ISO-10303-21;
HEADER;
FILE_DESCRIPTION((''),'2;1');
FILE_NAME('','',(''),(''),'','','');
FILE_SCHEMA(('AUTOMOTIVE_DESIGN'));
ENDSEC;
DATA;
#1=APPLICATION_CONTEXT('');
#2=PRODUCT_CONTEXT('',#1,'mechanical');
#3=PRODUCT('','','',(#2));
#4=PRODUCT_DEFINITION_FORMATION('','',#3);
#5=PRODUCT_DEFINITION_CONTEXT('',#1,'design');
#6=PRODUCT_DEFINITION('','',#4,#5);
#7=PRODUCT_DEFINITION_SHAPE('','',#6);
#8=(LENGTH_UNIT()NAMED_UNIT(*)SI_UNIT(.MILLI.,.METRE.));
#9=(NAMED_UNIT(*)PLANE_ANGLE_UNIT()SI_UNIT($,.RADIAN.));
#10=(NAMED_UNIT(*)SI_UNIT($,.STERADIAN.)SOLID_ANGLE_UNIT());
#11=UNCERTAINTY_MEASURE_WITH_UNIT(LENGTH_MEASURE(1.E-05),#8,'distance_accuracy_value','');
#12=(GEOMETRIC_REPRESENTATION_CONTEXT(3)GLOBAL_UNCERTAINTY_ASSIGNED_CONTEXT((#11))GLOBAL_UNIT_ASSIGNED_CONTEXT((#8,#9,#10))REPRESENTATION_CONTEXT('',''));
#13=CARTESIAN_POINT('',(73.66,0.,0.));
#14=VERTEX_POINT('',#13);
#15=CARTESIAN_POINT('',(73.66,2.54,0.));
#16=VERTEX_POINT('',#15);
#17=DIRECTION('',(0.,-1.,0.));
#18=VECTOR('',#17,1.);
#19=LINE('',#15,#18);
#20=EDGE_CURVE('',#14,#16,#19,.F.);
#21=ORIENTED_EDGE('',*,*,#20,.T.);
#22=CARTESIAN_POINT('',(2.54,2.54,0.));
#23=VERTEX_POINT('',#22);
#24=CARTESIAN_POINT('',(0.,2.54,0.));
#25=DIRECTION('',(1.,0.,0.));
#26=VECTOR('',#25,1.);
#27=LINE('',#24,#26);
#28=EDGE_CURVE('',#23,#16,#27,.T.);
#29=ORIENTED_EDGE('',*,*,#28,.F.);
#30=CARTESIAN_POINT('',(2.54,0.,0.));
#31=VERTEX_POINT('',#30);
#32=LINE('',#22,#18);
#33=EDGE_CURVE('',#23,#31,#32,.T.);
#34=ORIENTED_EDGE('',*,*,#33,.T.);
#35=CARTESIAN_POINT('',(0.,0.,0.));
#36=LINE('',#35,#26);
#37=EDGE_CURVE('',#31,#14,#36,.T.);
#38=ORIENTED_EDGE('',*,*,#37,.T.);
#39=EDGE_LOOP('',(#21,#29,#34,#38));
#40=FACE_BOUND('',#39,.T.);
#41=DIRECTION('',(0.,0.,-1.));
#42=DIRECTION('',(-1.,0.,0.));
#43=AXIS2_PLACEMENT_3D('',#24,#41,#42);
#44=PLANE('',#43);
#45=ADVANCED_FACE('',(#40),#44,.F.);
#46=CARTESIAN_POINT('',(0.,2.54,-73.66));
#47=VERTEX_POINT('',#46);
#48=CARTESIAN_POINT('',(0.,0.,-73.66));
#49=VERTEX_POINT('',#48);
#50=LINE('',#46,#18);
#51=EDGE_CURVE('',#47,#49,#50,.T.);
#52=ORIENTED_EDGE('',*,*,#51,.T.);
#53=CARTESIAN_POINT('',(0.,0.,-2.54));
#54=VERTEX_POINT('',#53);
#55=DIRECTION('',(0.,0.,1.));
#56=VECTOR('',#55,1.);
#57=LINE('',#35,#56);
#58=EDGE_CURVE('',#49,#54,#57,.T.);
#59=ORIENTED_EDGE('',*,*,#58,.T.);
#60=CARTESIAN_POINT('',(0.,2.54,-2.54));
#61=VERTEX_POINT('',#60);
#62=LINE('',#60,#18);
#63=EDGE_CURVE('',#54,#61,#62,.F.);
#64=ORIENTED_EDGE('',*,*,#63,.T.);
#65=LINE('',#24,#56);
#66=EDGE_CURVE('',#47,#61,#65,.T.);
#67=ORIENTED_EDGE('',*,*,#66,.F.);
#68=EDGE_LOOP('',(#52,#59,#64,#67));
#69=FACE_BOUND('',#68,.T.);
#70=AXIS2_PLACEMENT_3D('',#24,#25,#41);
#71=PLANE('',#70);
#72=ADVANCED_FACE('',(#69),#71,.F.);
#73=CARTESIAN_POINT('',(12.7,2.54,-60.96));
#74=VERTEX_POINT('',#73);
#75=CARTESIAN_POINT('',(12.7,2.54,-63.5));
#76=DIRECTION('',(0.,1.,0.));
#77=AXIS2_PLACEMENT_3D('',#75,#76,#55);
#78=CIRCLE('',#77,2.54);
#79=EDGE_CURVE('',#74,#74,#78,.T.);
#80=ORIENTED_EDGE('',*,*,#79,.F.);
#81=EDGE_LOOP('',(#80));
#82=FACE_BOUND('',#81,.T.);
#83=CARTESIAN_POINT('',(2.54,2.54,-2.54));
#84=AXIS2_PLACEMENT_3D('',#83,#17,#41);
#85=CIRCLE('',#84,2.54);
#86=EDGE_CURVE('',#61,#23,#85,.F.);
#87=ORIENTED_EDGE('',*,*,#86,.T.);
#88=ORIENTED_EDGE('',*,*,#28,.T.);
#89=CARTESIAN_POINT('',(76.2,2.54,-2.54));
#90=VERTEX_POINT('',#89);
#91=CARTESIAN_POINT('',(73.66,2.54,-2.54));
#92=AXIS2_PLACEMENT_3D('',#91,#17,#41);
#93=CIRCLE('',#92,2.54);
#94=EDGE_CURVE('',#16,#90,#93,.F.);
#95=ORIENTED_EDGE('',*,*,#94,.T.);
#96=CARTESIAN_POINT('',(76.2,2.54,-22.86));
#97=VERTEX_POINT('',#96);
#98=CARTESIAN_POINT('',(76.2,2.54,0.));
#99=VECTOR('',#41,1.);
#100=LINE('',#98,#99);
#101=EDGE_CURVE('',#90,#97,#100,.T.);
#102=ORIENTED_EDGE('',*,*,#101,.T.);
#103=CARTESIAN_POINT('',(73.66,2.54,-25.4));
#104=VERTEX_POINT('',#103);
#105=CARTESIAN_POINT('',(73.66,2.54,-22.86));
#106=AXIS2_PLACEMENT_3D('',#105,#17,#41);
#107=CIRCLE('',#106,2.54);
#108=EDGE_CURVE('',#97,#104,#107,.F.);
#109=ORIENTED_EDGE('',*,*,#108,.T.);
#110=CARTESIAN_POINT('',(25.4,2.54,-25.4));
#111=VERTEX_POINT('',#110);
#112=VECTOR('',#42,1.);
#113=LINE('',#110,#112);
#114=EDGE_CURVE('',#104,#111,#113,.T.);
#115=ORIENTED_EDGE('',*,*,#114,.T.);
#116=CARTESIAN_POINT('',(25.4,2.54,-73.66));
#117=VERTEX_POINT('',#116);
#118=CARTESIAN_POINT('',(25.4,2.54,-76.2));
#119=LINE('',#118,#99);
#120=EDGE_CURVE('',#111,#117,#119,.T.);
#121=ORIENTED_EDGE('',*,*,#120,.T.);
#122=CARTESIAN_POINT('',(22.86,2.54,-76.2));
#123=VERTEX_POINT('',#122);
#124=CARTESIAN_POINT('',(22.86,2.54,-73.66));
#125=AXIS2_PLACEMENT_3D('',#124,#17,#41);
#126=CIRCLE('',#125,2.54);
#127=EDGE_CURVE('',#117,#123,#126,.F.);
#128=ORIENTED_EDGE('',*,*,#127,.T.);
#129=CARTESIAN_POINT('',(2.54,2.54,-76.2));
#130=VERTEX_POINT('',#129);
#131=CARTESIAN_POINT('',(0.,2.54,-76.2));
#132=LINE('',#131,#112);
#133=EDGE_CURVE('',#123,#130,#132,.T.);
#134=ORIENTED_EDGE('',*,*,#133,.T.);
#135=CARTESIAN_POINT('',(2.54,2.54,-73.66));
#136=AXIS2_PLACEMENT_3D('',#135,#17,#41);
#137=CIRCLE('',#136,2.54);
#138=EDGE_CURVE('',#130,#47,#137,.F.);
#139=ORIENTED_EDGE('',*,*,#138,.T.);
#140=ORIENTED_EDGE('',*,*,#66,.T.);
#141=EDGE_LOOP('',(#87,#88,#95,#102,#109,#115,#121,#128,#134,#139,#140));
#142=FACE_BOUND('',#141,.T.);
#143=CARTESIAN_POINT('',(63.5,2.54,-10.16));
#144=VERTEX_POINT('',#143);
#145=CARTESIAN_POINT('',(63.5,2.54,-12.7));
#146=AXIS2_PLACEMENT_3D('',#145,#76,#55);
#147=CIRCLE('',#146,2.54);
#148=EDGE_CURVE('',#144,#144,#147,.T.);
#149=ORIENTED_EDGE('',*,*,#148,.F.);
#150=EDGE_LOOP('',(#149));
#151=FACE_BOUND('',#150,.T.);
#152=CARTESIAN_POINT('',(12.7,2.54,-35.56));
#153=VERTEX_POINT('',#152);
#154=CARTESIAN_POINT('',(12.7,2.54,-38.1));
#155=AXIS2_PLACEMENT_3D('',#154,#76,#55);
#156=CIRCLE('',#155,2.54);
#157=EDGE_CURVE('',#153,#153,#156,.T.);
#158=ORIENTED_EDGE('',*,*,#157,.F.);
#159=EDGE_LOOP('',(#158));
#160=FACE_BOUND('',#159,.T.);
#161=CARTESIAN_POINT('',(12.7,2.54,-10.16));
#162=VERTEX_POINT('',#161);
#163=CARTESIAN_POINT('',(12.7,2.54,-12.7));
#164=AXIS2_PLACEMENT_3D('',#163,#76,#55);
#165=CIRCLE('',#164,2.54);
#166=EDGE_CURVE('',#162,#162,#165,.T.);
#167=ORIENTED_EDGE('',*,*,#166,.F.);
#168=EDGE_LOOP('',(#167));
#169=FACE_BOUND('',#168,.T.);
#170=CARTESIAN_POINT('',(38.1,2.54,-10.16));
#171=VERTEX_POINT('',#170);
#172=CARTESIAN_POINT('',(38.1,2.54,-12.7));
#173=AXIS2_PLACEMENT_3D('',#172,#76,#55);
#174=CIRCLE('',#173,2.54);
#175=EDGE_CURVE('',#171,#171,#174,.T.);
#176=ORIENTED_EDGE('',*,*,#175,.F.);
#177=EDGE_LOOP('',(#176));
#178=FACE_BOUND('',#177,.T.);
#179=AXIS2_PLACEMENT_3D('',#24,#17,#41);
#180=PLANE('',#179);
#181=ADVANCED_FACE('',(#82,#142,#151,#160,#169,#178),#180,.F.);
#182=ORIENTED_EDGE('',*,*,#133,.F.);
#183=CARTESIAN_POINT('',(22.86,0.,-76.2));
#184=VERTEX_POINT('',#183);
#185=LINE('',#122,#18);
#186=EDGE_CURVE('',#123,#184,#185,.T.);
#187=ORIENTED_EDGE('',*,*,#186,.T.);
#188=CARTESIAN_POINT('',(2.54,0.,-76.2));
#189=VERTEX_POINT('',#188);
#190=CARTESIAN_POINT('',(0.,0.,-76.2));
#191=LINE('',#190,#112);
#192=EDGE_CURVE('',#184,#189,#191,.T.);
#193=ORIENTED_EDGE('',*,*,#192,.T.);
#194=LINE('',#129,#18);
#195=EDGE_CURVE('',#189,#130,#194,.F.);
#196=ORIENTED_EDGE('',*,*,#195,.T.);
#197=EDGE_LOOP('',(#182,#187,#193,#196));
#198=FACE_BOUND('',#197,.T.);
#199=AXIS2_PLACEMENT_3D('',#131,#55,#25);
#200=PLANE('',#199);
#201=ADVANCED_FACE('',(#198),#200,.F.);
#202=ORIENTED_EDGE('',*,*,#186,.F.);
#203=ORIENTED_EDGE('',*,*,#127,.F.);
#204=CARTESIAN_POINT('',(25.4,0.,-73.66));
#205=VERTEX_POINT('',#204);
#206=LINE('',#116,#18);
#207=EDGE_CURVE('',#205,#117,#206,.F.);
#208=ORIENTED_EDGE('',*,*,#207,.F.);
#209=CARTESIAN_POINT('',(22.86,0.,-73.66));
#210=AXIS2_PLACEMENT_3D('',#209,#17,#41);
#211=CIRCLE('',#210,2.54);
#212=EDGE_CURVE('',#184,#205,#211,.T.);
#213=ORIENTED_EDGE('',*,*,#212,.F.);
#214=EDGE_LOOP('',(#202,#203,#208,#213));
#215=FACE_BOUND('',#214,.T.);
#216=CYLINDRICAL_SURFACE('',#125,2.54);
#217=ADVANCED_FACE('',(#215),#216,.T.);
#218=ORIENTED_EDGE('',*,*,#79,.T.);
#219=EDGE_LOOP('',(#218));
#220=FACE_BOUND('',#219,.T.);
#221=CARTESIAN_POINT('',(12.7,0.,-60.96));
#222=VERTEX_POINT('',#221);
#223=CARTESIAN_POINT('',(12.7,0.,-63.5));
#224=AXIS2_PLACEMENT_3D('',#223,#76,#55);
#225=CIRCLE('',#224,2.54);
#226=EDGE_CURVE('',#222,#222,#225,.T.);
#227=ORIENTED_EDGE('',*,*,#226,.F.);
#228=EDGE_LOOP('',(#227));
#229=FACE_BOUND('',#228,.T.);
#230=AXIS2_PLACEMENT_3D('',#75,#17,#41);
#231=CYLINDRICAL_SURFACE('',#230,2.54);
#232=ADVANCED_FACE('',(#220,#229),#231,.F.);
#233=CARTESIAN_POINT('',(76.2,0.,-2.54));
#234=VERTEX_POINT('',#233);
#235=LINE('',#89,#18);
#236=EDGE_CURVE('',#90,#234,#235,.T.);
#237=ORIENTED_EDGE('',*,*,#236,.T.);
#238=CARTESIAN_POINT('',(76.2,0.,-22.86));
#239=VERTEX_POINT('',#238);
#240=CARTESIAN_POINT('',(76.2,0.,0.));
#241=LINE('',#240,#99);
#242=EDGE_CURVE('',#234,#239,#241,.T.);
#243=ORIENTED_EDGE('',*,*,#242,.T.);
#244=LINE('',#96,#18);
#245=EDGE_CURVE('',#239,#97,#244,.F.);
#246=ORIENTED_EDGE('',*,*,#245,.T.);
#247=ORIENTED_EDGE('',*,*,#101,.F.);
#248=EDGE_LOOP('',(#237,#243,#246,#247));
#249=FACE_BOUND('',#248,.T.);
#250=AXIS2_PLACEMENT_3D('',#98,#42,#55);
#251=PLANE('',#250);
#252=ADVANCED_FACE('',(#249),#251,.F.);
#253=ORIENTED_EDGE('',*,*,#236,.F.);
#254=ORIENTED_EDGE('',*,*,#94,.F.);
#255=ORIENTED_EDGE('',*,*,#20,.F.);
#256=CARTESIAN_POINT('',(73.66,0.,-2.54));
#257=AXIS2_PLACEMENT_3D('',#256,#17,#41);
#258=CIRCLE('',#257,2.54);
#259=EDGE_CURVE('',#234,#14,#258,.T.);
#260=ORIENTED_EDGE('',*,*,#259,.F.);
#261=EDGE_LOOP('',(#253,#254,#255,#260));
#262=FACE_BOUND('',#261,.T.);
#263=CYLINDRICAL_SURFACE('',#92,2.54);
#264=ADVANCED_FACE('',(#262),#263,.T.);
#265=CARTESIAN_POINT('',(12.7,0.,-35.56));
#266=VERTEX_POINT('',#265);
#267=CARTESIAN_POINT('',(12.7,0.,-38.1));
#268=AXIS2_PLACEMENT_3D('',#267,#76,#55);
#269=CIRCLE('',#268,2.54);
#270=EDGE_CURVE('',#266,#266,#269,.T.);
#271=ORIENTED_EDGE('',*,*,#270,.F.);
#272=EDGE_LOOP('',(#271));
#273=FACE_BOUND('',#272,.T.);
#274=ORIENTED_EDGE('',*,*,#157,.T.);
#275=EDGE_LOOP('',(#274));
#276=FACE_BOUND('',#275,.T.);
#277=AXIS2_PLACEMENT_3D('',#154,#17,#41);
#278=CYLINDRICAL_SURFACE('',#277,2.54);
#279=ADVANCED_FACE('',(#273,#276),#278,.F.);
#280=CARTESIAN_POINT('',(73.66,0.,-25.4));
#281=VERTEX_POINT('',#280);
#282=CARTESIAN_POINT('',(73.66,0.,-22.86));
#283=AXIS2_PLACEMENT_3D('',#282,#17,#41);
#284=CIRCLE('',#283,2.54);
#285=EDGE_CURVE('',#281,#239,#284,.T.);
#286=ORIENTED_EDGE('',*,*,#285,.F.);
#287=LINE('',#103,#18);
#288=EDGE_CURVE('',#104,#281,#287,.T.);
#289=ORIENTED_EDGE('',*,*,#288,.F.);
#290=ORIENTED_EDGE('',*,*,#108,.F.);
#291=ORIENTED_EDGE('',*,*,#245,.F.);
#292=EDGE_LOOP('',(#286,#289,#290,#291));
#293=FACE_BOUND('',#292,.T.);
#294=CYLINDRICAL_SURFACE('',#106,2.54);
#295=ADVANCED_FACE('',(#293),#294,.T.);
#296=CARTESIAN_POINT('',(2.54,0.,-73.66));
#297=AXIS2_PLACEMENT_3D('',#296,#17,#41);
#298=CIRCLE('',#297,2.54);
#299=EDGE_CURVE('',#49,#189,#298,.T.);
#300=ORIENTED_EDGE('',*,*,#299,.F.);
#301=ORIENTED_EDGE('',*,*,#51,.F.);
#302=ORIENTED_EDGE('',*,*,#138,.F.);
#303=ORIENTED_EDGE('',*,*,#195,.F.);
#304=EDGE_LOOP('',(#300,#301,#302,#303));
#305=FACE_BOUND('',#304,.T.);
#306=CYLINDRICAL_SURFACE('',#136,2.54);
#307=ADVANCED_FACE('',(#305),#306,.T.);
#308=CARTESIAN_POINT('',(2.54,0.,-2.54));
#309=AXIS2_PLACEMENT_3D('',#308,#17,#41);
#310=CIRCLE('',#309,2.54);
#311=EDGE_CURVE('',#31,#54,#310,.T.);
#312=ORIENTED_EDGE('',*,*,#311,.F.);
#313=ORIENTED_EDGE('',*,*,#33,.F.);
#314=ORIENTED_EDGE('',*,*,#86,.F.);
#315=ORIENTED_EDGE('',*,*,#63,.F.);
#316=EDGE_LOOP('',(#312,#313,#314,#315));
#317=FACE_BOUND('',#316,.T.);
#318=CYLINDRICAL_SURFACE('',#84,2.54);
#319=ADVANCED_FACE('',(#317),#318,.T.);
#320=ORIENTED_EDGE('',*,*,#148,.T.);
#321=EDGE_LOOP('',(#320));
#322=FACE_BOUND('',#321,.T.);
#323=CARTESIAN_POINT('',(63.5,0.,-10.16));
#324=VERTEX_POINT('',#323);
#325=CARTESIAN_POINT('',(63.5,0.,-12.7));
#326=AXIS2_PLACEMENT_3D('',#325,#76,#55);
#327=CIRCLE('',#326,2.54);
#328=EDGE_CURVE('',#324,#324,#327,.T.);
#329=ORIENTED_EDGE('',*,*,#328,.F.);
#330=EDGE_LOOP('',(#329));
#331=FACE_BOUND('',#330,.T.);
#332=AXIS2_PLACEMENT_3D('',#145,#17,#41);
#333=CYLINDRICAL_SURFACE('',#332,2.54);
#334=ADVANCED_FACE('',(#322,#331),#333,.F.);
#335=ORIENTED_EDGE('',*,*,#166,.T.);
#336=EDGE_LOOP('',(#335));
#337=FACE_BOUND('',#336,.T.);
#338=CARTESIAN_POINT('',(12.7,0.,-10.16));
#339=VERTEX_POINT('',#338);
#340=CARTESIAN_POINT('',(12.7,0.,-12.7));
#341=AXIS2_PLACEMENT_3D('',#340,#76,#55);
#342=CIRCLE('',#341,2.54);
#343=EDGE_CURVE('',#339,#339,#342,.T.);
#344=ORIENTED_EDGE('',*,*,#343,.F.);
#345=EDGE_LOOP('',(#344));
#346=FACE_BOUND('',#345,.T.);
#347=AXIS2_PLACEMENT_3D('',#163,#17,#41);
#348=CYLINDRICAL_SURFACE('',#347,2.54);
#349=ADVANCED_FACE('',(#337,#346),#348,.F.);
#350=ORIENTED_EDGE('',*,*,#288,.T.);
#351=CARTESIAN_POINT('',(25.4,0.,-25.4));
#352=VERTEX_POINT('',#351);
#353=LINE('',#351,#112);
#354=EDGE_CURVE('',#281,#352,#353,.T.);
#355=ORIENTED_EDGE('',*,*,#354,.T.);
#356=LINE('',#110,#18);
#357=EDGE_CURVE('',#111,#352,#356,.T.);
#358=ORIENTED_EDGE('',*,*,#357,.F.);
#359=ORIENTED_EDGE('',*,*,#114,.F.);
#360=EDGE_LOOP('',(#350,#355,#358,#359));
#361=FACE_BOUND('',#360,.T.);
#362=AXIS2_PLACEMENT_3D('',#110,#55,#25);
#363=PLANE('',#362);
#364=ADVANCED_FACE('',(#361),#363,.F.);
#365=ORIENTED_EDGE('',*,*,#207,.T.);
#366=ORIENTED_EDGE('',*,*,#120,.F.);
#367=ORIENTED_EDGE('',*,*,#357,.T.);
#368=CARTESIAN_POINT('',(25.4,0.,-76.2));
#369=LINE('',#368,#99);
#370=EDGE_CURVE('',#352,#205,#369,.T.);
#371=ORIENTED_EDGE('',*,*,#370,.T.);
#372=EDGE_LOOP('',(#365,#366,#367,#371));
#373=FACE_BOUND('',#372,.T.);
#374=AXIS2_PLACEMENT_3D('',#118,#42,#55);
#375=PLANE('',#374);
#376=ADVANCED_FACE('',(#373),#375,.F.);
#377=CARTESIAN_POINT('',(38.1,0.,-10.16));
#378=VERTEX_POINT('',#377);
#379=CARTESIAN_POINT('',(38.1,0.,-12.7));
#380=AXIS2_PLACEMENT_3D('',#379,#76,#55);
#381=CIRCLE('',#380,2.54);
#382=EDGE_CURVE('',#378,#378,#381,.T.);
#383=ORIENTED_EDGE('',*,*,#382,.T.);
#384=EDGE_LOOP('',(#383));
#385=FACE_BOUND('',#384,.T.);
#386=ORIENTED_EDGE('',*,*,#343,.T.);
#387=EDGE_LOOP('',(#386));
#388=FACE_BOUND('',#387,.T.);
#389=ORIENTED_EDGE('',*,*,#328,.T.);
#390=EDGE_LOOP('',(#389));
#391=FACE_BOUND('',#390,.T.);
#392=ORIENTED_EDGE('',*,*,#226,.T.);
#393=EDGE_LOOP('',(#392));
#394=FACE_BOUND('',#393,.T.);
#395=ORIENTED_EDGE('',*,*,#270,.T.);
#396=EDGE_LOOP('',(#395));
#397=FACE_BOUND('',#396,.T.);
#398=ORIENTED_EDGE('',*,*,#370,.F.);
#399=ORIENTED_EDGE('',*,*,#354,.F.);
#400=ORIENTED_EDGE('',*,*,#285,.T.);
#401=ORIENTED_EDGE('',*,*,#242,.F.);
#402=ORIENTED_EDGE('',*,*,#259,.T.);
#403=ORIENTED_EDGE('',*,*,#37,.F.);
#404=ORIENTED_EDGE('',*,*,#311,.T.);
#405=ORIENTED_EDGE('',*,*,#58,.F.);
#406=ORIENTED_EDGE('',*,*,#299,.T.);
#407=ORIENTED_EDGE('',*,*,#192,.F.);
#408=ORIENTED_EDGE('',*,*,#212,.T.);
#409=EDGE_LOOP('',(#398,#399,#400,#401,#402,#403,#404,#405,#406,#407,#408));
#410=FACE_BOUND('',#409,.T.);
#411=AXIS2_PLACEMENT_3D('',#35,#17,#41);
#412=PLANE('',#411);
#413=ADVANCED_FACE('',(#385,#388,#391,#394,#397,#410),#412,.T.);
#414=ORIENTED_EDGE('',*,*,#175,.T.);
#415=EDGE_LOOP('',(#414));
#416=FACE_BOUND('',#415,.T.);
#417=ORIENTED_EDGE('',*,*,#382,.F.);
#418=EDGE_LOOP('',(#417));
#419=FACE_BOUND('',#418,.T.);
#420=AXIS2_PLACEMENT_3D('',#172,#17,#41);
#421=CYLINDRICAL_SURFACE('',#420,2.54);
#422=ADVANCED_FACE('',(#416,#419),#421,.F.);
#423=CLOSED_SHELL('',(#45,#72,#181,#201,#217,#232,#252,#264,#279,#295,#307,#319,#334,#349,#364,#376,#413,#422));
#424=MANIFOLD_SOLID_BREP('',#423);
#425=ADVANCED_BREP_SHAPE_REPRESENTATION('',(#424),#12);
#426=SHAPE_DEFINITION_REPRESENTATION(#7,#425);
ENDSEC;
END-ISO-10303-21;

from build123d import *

# Parameters (mm, degrees)
SKETCH1_R           = 2.54
BOSS_EXTRUDE1_DEPTH = 2.54
FILLET1_R           = 2.54


with BuildPart() as part:
    # Sketch1 → Boss-Extrude1 (new body)
    with BuildSketch(Plane(origin=(0, 0, 0), x_dir=(1, 0, 0), z_dir=(0, 1, 0))):
        Polygon((25.4, 76.2), (25.4, 25.4), (76.2, 25.4), (76.2, 0), (0, 0), (0, 76.2), align=None)
        with Locations((12.7, 12.7)):
            Circle(SKETCH1_R, mode=Mode.SUBTRACT)
        with Locations((38.1, 12.7)):
            Circle(SKETCH1_R, mode=Mode.SUBTRACT)
        with Locations((63.5, 12.7)):
            Circle(SKETCH1_R, mode=Mode.SUBTRACT)
        with Locations((12.7, 38.1)):
            Circle(SKETCH1_R, mode=Mode.SUBTRACT)
        with Locations((12.7, 63.5)):
            Circle(SKETCH1_R, mode=Mode.SUBTRACT)
    extrude(amount=BOSS_EXTRUDE1_DEPTH)

    # Fillet1
    fillet1_edges = [part.edges().sort_by_distance(p)[0] for p in [
        (0, 1.27, -76.2),
        (25.4, 1.27, -76.2),
        (76.2, 1.27, -25.4),
        (76.2, 1.27, 0),
        (0, 1.27, 0),
    ]]
    fillet(fillet1_edges, radius=FILLET1_R)


solid = part.part
